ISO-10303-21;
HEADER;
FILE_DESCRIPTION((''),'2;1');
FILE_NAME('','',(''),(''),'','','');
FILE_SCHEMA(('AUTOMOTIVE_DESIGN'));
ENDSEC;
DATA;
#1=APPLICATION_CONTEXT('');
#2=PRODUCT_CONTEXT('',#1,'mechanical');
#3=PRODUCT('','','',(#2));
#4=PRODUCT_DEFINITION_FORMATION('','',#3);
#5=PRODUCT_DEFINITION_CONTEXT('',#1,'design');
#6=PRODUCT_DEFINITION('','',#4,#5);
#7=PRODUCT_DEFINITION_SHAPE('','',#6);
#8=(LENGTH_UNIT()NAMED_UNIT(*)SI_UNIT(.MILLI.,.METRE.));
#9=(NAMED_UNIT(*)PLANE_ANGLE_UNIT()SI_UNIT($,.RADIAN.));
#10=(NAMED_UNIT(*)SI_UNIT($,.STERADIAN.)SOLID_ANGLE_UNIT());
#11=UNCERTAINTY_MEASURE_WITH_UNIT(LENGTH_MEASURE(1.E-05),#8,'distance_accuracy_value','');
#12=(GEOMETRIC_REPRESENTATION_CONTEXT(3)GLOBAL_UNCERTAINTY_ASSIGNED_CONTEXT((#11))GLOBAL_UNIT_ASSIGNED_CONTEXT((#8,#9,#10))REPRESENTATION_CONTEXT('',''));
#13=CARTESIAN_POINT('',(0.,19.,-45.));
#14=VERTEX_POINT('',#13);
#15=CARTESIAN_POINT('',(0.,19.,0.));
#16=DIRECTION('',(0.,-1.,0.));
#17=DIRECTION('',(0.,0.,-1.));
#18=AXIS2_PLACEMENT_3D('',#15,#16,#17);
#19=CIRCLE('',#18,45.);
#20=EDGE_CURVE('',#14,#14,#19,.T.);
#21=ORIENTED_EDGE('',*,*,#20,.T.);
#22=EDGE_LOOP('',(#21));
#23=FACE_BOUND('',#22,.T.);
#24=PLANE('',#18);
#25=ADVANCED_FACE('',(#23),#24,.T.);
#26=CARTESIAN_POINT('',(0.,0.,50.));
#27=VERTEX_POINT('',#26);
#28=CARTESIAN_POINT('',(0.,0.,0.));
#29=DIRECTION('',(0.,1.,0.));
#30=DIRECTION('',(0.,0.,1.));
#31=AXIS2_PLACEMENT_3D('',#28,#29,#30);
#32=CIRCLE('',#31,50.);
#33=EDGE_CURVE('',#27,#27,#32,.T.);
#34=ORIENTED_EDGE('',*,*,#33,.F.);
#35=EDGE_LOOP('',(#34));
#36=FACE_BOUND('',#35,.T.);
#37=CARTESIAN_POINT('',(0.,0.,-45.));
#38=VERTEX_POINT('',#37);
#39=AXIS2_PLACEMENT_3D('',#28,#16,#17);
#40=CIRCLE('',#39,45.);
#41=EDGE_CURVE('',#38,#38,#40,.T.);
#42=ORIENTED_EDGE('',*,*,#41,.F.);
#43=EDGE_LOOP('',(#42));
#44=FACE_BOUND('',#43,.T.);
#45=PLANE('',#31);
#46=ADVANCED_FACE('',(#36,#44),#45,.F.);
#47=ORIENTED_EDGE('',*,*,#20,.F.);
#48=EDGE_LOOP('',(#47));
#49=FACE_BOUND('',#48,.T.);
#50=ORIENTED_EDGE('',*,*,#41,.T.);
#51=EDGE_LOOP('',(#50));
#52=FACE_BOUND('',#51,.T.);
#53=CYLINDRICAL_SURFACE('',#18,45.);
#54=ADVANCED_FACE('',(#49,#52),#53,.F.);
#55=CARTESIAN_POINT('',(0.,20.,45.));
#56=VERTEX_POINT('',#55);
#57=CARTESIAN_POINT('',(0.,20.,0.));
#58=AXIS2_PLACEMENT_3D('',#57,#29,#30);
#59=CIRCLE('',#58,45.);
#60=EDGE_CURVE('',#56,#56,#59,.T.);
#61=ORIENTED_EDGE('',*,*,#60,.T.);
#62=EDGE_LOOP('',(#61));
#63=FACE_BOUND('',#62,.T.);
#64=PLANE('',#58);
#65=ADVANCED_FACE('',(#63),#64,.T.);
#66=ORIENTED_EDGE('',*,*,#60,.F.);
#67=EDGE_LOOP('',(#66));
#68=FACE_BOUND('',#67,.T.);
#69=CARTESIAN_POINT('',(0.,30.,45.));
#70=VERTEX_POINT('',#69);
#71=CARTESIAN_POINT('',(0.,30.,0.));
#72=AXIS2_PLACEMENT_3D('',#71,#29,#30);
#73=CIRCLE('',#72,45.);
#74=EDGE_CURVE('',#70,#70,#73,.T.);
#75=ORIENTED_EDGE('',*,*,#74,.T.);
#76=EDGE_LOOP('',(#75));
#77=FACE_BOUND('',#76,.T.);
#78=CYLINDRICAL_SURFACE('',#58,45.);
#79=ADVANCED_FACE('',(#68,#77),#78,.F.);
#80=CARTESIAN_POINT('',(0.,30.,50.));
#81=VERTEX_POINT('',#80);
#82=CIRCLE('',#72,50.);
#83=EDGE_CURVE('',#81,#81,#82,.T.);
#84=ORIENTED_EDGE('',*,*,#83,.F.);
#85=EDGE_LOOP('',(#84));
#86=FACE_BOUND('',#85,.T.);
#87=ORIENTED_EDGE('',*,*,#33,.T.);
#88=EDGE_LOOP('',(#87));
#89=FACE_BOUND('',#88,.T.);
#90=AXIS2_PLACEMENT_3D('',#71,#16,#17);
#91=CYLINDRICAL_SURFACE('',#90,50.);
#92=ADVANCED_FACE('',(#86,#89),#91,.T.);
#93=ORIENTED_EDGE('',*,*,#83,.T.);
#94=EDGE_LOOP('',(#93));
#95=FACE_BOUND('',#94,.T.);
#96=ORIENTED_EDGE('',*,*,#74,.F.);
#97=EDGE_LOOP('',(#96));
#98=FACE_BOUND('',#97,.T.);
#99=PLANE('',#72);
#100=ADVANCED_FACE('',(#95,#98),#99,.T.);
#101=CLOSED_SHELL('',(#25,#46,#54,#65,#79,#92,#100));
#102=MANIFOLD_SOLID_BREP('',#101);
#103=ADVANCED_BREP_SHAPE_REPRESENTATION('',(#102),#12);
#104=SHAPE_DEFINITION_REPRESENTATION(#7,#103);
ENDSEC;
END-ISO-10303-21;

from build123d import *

# Parameters (mm, degrees)
SKETCH3_R           = 50
BOSS_EXTRUDE1_DEPTH = 30
SKETCH4_R           = 45
CUT_EXTRUDE1_DEPTH  = 10
CUT_EXTRUDE2_START  = -19
SKETCH5_R           = 45
CUT_EXTRUDE2_DEPTH  = 19


with BuildPart() as part:
    # Sketch3 → Boss-Extrude1 (new body)
    with BuildSketch(Plane(origin=(0, 0, 0), x_dir=(1, 0, 0), z_dir=(0, 1, 0))):
        with Locations(Location((0, 0, 0), (0, 0, 270))):
            Circle(SKETCH3_R)
    extrude(amount=BOSS_EXTRUDE1_DEPTH)

    # Sketch4 → Cut-Extrude1 (cut)
    with BuildSketch(Plane(origin=(0, 30, 0), x_dir=(1, 0, 0), z_dir=(0, 1, 0))):
        with Locations(Location((0, 0, 0), (0, 0, 270))):
            Circle(SKETCH4_R)
    extrude(amount=-CUT_EXTRUDE1_DEPTH, mode=Mode.SUBTRACT)

    # Sketch5 → Cut-Extrude2 (cut)
    with BuildSketch(Plane.XZ.offset(CUT_EXTRUDE2_START)):
        with Locations(Location((0, 0, 0), (0, 0, 90))):
            Circle(SKETCH5_R)
    extrude(amount=CUT_EXTRUDE2_DEPTH, mode=Mode.SUBTRACT)


solid = part.part
